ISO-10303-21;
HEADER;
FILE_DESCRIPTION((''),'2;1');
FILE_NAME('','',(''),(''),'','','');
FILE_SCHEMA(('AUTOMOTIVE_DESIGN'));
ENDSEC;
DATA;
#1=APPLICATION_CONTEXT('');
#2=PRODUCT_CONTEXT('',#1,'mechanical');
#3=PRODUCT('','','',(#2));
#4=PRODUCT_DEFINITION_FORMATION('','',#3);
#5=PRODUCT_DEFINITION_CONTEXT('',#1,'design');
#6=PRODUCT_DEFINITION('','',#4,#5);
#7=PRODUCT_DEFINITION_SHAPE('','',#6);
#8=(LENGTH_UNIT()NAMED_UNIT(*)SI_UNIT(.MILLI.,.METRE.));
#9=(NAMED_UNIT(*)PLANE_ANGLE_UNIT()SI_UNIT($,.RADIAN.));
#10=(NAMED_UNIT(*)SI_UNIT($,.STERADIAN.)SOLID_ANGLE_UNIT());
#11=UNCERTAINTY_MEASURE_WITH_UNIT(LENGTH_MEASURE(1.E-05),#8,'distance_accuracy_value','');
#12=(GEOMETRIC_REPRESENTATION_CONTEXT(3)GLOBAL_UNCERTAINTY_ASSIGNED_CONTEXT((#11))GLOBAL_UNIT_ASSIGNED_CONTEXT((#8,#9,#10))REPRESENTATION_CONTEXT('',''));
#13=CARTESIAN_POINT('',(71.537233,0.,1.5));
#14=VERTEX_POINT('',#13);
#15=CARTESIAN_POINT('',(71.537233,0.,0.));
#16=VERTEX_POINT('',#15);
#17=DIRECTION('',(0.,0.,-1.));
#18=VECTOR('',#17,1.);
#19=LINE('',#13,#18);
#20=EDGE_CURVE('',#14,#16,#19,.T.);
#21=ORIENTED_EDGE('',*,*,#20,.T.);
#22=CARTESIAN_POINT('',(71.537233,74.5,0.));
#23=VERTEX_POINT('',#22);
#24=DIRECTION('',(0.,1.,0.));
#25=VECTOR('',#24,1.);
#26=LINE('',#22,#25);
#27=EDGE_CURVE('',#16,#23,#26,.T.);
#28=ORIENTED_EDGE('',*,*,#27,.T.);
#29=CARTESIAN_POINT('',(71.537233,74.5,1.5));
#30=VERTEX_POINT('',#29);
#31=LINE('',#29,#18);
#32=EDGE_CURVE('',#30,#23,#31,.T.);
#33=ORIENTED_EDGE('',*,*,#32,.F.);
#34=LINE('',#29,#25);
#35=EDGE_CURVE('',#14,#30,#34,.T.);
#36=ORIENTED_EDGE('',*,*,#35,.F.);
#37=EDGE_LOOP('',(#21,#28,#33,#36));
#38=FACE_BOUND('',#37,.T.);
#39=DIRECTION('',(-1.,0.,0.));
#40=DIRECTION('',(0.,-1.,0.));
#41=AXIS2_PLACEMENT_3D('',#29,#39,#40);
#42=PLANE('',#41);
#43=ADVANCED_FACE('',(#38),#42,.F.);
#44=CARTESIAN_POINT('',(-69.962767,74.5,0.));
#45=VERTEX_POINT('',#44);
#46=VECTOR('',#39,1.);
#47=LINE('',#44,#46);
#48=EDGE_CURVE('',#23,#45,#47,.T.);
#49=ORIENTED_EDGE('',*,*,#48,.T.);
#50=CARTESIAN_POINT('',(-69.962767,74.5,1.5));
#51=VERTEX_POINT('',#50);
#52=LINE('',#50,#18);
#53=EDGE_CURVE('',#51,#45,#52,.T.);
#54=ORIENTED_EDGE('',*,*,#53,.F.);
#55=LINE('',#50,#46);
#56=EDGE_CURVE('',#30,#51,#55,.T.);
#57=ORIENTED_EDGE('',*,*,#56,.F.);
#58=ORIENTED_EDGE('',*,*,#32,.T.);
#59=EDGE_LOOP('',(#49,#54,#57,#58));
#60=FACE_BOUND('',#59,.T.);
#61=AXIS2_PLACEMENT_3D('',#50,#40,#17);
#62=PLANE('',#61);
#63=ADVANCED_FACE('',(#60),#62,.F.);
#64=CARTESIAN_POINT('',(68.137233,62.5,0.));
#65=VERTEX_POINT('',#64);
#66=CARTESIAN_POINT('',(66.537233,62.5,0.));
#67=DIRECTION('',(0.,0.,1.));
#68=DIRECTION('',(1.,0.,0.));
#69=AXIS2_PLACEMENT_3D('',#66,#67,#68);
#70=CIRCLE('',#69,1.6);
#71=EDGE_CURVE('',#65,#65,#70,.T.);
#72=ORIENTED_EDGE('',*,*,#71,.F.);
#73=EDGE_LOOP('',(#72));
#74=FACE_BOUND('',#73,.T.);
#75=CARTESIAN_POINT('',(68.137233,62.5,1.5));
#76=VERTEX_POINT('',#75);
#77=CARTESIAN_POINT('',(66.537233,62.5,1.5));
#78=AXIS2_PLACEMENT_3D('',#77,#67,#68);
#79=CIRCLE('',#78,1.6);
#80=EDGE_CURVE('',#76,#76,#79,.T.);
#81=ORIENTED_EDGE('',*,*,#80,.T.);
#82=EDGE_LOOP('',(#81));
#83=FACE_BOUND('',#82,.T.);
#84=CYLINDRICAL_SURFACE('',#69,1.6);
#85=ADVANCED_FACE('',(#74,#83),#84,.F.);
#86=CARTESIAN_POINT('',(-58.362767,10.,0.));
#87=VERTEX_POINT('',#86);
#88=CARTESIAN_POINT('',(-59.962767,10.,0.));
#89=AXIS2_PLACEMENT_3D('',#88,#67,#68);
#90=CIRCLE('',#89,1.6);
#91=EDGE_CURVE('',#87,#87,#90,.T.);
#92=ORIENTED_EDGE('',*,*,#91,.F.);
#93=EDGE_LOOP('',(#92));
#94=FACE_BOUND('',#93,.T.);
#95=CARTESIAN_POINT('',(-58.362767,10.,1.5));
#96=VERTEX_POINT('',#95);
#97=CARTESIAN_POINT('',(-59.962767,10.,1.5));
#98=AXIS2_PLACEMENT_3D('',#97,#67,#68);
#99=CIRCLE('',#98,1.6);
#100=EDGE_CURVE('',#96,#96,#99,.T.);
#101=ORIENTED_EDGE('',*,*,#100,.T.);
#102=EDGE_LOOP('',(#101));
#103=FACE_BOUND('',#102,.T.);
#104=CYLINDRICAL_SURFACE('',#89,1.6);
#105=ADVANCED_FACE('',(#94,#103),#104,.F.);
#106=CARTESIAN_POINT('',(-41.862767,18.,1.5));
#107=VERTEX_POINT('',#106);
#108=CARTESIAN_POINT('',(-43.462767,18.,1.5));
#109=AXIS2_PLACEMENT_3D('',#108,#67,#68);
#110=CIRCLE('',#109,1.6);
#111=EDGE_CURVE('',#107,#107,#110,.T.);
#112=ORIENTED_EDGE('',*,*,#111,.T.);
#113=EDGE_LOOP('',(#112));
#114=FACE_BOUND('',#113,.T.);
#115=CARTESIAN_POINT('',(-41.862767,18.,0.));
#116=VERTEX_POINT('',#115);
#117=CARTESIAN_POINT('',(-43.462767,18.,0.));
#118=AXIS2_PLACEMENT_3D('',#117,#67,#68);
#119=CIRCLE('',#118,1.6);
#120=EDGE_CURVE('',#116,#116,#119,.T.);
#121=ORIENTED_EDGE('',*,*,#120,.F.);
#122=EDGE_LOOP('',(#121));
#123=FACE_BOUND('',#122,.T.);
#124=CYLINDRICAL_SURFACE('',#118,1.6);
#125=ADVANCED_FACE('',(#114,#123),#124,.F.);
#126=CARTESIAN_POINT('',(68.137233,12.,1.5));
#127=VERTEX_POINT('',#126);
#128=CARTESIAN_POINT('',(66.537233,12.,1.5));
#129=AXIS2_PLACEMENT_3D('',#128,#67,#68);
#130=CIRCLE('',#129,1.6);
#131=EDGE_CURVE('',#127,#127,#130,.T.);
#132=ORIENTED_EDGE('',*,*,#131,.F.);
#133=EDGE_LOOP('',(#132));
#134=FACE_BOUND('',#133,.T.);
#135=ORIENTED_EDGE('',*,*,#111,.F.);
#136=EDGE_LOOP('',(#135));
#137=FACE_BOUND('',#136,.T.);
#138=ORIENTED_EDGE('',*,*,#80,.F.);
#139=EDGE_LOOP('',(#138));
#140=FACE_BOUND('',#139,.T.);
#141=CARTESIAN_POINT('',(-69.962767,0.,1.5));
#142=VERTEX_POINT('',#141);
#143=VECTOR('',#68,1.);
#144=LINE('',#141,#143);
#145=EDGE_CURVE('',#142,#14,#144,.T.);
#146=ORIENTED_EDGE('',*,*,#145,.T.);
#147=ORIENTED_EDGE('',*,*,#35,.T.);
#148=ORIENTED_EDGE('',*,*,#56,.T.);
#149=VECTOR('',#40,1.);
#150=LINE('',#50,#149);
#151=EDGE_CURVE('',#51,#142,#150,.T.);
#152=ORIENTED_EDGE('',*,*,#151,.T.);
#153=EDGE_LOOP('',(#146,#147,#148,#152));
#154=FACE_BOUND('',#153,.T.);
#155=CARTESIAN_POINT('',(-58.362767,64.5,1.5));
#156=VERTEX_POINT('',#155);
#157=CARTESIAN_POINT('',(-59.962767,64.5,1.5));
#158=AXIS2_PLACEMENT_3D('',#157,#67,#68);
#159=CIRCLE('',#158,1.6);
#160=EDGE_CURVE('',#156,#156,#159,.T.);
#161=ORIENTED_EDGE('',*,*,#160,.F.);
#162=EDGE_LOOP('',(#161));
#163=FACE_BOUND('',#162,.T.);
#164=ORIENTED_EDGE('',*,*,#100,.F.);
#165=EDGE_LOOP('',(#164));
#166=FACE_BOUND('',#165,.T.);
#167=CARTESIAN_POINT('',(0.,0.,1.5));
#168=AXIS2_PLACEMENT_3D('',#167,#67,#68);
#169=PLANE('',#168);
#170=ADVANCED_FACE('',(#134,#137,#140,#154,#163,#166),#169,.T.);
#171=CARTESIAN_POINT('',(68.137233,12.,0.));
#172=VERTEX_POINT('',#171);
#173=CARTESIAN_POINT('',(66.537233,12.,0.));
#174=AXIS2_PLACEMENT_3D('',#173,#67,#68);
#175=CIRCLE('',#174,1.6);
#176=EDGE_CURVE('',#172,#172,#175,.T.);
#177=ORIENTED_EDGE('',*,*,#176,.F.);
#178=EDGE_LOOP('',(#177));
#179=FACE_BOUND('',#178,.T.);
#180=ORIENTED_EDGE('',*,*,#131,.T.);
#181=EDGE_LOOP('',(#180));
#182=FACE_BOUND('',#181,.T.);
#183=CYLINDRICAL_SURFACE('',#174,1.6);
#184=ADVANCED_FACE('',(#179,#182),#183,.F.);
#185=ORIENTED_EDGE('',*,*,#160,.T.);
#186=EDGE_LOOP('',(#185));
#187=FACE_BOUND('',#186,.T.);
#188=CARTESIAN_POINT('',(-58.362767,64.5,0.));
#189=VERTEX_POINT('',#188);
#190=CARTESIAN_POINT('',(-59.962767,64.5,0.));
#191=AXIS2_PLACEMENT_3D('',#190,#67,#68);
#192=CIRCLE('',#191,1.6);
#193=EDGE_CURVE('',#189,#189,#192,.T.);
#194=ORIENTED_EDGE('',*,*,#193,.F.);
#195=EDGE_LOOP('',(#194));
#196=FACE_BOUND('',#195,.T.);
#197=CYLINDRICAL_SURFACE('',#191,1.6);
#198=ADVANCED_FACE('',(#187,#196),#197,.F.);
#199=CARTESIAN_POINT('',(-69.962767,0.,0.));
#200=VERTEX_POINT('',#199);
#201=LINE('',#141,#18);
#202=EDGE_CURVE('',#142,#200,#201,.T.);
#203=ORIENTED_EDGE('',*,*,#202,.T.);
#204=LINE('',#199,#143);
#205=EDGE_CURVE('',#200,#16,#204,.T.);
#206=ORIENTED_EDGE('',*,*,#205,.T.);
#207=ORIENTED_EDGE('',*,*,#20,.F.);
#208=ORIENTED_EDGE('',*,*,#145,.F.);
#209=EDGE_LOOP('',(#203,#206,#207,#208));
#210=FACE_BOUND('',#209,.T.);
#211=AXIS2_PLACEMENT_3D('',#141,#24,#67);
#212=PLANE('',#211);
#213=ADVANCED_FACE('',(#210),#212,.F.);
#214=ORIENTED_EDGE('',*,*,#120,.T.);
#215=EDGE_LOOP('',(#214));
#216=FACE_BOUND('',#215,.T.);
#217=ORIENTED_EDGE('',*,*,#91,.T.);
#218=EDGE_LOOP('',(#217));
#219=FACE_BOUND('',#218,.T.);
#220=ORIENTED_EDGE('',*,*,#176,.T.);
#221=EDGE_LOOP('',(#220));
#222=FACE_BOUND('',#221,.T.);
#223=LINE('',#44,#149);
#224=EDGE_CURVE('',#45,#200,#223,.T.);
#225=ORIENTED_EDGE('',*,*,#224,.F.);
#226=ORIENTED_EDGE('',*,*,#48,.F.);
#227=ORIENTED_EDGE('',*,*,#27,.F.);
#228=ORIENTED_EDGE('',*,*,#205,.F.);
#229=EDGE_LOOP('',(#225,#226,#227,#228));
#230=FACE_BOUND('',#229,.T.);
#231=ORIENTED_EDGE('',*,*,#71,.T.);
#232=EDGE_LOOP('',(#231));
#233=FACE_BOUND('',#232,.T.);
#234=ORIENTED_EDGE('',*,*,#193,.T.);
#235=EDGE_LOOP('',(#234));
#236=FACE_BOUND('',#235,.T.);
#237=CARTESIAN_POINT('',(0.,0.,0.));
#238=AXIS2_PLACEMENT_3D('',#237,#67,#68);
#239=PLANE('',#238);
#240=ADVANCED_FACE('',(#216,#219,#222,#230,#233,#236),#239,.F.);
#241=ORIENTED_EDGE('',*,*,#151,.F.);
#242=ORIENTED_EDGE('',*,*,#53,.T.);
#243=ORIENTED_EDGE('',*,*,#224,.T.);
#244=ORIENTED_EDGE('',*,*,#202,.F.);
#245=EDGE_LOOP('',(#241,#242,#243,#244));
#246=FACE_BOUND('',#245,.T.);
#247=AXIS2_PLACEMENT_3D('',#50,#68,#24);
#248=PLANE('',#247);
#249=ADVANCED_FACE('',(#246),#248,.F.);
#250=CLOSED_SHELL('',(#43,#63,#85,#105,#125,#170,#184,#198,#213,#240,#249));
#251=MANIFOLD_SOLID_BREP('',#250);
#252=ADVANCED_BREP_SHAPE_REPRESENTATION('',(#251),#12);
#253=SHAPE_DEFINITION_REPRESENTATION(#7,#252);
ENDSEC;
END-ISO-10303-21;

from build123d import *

# Parameters (mm, degrees)
SKETCH1_W           = 141.5
SKETCH1_H           = 74.5
BOSS_EXTRUDE1_DEPTH = 1.5
SKETCH2_R           = 1.6
CUT_EXTRUDE1_DEPTH  = 1.5
SKETCH3_R           = 1.6
CUT_EXTRUDE2_DEPTH  = 1.5
SKETCH4_R           = 1.6
CUT_EXTRUDE3_DEPTH  = 1.5


with BuildPart() as part:
    # Sketch1 → Boss-Extrude1 (new body)
    with BuildSketch(Plane.XY):
        with Locations((0.787232686, 37.25)):
            Rectangle(SKETCH1_W, SKETCH1_H)
    extrude(amount=BOSS_EXTRUDE1_DEPTH)

    # Sketch2 → Cut-Extrude1 (cut)
    with BuildSketch(Plane.XY.offset(1.5)):
        with Locations((-59.962767314, 64.5)):
            Circle(SKETCH2_R)
        with Locations((-59.962767314, 10)):
            Circle(SKETCH2_R)
    extrude(amount=-CUT_EXTRUDE1_DEPTH, mode=Mode.SUBTRACT)

    # Sketch3 → Cut-Extrude2 (cut)
    with BuildSketch(Plane.XY.offset(1.5)):
        with Locations((66.537232686, 62.5)):
            Circle(SKETCH3_R)
        with Locations((66.537232686, 12)):
            Circle(SKETCH3_R)
    extrude(amount=-CUT_EXTRUDE2_DEPTH, mode=Mode.SUBTRACT)

    # Sketch4 → Cut-Extrude3 (cut)
    with BuildSketch(Plane.XY.offset(1.5)):
        with Locations((-43.462767314, 18)):
            Circle(SKETCH4_R)
    extrude(amount=-CUT_EXTRUDE3_DEPTH, mode=Mode.SUBTRACT)


solid = part.part
